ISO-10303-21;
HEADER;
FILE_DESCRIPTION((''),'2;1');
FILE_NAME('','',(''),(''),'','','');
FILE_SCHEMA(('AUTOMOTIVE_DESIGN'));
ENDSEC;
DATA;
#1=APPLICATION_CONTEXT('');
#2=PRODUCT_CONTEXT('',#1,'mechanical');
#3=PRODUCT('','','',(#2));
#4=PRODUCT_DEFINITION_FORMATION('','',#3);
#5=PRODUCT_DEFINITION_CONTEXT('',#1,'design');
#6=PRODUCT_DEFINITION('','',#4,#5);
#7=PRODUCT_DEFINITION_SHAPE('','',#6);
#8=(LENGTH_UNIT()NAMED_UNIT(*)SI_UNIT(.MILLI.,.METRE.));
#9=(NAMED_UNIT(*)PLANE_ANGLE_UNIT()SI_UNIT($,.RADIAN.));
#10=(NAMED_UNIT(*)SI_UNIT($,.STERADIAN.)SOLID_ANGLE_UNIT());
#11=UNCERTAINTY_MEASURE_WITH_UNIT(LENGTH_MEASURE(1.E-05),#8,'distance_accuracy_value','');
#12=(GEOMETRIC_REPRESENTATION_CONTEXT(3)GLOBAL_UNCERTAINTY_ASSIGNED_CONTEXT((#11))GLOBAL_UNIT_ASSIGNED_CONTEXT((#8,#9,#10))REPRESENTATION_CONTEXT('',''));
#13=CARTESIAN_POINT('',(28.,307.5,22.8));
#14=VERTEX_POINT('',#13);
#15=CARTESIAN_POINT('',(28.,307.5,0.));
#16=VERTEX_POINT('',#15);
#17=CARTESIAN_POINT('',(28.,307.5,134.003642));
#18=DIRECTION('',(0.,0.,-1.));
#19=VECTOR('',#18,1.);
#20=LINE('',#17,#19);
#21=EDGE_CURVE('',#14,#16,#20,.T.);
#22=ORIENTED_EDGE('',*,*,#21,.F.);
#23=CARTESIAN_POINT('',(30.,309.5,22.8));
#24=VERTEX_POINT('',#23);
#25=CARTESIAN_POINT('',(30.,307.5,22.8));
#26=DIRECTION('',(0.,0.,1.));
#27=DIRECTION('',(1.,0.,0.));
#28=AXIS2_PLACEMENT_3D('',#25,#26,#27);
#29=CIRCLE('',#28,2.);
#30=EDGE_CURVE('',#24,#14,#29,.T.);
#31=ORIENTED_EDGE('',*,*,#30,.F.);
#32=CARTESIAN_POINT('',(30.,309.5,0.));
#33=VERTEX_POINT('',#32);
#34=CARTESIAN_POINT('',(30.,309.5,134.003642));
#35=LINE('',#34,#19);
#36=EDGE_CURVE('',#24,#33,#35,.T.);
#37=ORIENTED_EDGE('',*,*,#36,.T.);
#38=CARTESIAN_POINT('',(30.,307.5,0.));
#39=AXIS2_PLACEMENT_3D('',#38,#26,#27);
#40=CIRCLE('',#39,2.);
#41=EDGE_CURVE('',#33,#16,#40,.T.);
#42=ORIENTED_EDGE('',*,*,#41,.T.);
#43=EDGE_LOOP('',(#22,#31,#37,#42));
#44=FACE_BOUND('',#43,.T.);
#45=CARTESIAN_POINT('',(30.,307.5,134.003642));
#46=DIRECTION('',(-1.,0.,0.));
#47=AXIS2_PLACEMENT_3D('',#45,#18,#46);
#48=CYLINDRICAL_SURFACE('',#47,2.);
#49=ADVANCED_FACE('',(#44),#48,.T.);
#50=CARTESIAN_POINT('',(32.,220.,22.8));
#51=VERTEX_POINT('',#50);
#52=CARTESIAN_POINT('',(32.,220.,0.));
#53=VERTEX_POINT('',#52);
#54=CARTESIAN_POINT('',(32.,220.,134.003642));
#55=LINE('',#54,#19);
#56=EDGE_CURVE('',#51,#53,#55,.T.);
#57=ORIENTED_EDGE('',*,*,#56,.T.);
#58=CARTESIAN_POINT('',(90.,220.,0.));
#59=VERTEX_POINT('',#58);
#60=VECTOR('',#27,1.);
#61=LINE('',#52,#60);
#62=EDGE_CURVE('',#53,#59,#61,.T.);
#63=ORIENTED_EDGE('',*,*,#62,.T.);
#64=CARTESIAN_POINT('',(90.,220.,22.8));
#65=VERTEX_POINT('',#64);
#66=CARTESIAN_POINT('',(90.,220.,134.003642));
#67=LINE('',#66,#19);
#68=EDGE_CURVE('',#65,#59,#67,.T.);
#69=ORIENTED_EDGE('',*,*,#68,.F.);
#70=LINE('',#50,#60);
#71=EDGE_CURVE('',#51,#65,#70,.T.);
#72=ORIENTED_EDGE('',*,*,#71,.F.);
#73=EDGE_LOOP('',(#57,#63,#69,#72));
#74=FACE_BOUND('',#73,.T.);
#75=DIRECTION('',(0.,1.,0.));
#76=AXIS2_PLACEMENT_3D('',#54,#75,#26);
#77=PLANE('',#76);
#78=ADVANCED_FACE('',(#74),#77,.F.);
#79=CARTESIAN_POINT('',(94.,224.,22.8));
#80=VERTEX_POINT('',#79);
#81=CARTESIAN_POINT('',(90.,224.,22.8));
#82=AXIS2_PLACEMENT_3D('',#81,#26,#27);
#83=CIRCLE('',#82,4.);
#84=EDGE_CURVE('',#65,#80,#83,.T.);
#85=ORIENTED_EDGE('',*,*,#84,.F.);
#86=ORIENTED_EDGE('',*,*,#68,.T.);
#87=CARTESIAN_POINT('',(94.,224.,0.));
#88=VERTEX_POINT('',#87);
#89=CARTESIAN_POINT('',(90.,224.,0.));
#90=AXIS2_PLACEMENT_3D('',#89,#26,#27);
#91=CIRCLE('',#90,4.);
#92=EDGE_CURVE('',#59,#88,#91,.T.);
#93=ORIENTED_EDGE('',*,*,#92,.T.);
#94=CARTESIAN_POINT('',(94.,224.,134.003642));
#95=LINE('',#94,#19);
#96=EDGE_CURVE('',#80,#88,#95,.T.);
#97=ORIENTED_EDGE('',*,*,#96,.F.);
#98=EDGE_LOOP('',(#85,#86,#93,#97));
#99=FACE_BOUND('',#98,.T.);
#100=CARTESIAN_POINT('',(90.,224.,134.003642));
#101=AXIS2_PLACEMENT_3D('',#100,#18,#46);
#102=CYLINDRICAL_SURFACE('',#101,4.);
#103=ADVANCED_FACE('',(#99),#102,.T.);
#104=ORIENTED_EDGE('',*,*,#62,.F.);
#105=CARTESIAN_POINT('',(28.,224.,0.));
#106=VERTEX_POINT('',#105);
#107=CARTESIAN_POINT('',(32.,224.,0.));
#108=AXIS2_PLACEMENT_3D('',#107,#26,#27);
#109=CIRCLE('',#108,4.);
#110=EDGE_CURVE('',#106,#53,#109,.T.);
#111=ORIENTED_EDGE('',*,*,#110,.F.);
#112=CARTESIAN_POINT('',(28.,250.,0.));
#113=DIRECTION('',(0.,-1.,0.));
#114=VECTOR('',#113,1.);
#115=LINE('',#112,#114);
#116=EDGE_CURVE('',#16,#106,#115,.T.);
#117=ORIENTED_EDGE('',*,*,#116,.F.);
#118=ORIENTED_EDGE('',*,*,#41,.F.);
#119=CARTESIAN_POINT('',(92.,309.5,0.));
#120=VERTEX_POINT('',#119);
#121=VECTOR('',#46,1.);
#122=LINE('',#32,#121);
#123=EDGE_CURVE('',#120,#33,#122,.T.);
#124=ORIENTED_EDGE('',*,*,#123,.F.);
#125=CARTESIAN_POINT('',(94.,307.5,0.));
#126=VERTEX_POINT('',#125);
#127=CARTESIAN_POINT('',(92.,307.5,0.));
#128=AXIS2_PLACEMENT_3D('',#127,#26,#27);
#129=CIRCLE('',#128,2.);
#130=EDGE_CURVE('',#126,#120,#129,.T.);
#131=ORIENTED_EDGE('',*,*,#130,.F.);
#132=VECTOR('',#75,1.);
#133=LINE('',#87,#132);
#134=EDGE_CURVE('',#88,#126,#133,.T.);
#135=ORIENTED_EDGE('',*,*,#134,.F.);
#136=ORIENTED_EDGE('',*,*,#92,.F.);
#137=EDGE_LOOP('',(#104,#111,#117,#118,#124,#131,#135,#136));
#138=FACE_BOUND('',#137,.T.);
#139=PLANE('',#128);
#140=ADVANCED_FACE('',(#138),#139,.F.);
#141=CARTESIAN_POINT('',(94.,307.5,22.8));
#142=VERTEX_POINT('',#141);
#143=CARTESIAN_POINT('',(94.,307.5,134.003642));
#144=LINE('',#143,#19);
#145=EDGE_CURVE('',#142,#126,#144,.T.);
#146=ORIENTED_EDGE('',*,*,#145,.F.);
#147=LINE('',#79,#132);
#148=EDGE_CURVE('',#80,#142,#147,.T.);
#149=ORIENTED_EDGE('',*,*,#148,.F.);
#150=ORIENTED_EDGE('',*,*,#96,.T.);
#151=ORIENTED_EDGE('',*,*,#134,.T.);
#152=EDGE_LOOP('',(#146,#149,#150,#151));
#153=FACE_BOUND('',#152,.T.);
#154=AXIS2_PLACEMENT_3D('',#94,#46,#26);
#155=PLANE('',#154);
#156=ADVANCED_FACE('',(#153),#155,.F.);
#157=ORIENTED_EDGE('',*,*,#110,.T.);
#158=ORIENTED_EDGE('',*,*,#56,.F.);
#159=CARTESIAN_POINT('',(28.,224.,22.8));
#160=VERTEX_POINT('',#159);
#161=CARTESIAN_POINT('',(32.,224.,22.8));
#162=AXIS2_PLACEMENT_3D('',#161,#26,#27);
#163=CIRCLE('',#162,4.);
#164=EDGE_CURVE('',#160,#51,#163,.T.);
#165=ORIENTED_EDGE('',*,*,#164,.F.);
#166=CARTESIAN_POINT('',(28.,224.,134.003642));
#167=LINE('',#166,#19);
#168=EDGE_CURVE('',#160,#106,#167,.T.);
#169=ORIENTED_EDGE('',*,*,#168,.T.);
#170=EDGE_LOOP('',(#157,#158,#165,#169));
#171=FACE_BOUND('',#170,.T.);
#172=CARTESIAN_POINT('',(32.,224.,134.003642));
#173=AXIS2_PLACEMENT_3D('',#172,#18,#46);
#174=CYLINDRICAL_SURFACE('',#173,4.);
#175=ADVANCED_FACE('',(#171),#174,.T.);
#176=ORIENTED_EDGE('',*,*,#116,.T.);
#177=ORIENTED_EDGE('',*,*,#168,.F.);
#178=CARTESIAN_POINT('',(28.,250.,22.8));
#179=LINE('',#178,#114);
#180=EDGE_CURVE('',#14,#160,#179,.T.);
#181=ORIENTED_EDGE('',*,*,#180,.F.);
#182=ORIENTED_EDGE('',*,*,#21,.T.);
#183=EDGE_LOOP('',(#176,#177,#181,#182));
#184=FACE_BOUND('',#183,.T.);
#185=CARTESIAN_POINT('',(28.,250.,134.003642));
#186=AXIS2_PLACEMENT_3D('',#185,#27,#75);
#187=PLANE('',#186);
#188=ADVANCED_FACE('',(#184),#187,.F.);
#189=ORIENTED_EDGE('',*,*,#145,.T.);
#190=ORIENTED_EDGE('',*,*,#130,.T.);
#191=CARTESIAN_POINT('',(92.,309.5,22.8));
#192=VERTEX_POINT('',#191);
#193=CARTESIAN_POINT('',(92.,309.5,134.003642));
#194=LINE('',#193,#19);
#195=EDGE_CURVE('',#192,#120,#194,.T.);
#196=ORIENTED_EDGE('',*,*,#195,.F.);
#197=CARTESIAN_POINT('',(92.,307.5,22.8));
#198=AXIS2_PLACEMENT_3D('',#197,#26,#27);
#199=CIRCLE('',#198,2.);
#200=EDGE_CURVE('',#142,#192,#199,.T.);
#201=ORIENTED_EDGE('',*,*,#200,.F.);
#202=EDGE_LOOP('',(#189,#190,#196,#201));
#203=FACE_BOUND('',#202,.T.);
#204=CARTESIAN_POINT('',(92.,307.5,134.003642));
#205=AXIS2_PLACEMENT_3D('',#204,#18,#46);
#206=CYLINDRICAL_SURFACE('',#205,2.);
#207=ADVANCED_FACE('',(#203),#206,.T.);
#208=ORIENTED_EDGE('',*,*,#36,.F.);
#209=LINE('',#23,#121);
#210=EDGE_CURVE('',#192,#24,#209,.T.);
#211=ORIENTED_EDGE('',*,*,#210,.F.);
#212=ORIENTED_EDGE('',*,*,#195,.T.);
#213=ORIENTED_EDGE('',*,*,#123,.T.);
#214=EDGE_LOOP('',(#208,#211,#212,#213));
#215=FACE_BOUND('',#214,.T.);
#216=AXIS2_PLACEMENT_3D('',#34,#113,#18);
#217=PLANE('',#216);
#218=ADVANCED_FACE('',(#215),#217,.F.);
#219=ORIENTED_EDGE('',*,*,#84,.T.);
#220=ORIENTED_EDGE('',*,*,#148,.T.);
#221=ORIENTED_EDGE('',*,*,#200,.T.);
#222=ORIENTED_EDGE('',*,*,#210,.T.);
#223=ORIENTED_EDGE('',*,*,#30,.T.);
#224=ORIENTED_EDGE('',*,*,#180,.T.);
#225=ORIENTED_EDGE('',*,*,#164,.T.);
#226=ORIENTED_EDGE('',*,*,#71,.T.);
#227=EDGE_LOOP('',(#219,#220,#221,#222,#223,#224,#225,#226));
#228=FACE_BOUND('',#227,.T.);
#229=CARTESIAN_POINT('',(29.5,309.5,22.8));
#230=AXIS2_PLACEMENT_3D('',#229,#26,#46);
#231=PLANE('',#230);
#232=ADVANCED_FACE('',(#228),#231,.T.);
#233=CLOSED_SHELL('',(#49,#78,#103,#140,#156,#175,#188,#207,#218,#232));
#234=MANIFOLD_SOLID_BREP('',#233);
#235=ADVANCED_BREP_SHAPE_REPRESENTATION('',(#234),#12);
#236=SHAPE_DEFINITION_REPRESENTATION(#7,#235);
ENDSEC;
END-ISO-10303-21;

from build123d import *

# Parameters (mm, degrees)
BOSS_EXTRUDE1_DEPTH = 22.8


with BuildPart() as part:
    # Sketch1 → Boss-Extrude1 (new body)
    with BuildSketch(Plane.XY):
        with BuildLine():
            Line((28, 250), (28, 307.5))
            ThreePointArc((28, 307.5), (28.585786438, 308.914213563), (30, 309.5))
            Line((30, 309.5), (30.5, 309.5))
            Line((30.5, 309.5), (91.5, 309.5))
            Line((91.5, 309.5), (92, 309.5))
            ThreePointArc((92, 309.5), (93.414213562, 308.914213563), (94, 307.5))
            Line((94, 307.5), (94, 250))
            Line((94, 250), (94, 224))
            ThreePointArc((94, 224), (92.828427125, 221.171572875), (90, 220))
            Line((90, 220), (32, 220))
            ThreePointArc((32, 220), (29.171572875, 221.171572875), (28, 224))
            Line((28, 224), (28, 250))
        make_face()
    extrude(amount=BOSS_EXTRUDE1_DEPTH)


solid = part.part
